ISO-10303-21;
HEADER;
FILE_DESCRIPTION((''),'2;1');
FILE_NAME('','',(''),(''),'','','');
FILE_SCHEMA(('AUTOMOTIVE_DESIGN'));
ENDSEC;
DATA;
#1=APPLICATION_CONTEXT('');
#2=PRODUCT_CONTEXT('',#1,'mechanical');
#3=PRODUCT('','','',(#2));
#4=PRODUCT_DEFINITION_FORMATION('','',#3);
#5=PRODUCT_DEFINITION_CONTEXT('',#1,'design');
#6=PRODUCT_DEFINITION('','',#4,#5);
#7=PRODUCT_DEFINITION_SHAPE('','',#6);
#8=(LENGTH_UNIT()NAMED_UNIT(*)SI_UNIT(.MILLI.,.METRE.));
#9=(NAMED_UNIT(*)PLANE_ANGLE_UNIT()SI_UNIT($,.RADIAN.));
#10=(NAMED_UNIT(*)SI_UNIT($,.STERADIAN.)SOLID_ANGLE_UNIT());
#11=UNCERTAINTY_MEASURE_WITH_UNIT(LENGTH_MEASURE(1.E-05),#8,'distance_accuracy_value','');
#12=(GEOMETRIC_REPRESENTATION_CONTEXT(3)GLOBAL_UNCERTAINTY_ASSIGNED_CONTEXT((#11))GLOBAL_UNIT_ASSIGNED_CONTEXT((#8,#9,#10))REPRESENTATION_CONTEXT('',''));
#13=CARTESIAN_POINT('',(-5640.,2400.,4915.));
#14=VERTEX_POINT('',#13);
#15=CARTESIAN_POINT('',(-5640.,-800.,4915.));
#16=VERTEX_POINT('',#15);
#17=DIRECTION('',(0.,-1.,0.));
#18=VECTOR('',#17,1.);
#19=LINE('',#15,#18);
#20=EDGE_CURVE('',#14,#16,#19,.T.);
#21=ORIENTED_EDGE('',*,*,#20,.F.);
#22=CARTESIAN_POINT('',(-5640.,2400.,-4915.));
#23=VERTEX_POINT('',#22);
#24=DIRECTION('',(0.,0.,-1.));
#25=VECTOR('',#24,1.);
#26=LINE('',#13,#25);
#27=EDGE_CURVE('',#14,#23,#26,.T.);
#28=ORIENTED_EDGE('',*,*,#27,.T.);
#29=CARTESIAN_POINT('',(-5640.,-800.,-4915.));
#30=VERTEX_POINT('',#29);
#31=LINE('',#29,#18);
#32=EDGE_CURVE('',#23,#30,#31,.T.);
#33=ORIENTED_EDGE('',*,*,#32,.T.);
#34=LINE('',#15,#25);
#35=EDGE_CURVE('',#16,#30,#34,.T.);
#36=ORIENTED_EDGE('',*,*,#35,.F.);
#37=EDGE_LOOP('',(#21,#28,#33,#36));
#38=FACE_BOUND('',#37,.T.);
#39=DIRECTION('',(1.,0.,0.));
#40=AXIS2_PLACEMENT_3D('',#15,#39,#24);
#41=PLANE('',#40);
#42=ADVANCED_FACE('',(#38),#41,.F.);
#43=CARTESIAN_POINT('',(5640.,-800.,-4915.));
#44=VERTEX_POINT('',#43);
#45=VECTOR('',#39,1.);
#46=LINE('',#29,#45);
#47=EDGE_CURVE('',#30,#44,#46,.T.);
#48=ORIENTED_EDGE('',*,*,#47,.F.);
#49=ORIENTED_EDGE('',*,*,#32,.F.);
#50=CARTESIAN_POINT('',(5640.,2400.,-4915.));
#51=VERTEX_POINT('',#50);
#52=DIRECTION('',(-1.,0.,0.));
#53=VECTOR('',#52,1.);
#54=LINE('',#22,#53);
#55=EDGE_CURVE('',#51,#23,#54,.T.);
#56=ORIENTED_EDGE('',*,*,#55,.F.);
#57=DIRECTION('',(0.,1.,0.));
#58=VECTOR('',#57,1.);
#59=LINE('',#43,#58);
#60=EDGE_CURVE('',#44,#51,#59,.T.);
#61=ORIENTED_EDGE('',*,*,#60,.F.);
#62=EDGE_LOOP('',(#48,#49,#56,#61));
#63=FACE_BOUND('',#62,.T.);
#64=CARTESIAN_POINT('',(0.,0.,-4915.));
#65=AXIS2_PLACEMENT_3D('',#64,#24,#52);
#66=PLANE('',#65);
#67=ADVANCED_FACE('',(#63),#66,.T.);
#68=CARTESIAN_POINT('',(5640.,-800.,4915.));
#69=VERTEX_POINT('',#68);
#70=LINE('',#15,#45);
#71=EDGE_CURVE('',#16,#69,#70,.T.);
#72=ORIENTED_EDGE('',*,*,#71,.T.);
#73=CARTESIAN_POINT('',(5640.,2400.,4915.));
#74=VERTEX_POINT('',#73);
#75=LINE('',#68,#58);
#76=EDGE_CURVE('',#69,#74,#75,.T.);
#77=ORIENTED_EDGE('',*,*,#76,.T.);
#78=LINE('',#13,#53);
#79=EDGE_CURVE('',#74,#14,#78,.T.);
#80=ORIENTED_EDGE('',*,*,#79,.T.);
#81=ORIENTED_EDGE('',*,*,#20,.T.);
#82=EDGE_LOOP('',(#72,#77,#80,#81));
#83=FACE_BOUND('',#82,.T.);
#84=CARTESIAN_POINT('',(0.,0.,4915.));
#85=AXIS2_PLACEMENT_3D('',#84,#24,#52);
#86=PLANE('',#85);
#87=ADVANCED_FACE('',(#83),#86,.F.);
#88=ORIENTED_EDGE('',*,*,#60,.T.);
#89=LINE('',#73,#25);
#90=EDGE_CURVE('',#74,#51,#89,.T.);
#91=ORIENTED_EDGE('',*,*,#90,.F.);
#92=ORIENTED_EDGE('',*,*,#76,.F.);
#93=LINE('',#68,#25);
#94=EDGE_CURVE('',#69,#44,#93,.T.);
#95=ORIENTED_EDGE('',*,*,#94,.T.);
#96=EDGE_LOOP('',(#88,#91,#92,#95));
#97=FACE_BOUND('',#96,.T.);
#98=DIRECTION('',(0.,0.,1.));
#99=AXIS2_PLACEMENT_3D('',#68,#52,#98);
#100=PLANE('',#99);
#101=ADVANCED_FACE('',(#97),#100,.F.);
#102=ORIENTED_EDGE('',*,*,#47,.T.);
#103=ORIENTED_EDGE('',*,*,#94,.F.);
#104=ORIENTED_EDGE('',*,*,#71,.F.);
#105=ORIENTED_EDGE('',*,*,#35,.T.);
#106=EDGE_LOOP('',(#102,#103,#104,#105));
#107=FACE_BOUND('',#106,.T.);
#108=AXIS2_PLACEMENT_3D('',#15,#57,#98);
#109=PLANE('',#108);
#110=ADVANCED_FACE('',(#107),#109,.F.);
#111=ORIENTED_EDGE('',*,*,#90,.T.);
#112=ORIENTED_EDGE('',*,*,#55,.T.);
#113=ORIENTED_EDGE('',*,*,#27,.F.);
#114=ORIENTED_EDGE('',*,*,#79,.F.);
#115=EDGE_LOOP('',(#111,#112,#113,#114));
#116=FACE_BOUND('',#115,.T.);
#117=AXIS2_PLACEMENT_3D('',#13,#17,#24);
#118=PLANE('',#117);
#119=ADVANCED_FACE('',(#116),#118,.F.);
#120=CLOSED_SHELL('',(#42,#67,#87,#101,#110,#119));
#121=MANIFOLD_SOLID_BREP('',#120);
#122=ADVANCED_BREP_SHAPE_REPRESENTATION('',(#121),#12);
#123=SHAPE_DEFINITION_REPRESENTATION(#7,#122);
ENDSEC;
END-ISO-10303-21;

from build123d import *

# Parameters (mm, degrees)
SKETCH1_W        = 11280
SKETCH1_H        = 3200
DIMENSIONS_DEPTH = 4915


with BuildPart() as part:
    # Sketch1 → Dimensions (new, symmetric)
    with BuildSketch(Plane.XY):
        with Locations((0, 800)):
            Rectangle(SKETCH1_W, SKETCH1_H)
    extrude(amount=DIMENSIONS_DEPTH, both=True)


solid = part.part
